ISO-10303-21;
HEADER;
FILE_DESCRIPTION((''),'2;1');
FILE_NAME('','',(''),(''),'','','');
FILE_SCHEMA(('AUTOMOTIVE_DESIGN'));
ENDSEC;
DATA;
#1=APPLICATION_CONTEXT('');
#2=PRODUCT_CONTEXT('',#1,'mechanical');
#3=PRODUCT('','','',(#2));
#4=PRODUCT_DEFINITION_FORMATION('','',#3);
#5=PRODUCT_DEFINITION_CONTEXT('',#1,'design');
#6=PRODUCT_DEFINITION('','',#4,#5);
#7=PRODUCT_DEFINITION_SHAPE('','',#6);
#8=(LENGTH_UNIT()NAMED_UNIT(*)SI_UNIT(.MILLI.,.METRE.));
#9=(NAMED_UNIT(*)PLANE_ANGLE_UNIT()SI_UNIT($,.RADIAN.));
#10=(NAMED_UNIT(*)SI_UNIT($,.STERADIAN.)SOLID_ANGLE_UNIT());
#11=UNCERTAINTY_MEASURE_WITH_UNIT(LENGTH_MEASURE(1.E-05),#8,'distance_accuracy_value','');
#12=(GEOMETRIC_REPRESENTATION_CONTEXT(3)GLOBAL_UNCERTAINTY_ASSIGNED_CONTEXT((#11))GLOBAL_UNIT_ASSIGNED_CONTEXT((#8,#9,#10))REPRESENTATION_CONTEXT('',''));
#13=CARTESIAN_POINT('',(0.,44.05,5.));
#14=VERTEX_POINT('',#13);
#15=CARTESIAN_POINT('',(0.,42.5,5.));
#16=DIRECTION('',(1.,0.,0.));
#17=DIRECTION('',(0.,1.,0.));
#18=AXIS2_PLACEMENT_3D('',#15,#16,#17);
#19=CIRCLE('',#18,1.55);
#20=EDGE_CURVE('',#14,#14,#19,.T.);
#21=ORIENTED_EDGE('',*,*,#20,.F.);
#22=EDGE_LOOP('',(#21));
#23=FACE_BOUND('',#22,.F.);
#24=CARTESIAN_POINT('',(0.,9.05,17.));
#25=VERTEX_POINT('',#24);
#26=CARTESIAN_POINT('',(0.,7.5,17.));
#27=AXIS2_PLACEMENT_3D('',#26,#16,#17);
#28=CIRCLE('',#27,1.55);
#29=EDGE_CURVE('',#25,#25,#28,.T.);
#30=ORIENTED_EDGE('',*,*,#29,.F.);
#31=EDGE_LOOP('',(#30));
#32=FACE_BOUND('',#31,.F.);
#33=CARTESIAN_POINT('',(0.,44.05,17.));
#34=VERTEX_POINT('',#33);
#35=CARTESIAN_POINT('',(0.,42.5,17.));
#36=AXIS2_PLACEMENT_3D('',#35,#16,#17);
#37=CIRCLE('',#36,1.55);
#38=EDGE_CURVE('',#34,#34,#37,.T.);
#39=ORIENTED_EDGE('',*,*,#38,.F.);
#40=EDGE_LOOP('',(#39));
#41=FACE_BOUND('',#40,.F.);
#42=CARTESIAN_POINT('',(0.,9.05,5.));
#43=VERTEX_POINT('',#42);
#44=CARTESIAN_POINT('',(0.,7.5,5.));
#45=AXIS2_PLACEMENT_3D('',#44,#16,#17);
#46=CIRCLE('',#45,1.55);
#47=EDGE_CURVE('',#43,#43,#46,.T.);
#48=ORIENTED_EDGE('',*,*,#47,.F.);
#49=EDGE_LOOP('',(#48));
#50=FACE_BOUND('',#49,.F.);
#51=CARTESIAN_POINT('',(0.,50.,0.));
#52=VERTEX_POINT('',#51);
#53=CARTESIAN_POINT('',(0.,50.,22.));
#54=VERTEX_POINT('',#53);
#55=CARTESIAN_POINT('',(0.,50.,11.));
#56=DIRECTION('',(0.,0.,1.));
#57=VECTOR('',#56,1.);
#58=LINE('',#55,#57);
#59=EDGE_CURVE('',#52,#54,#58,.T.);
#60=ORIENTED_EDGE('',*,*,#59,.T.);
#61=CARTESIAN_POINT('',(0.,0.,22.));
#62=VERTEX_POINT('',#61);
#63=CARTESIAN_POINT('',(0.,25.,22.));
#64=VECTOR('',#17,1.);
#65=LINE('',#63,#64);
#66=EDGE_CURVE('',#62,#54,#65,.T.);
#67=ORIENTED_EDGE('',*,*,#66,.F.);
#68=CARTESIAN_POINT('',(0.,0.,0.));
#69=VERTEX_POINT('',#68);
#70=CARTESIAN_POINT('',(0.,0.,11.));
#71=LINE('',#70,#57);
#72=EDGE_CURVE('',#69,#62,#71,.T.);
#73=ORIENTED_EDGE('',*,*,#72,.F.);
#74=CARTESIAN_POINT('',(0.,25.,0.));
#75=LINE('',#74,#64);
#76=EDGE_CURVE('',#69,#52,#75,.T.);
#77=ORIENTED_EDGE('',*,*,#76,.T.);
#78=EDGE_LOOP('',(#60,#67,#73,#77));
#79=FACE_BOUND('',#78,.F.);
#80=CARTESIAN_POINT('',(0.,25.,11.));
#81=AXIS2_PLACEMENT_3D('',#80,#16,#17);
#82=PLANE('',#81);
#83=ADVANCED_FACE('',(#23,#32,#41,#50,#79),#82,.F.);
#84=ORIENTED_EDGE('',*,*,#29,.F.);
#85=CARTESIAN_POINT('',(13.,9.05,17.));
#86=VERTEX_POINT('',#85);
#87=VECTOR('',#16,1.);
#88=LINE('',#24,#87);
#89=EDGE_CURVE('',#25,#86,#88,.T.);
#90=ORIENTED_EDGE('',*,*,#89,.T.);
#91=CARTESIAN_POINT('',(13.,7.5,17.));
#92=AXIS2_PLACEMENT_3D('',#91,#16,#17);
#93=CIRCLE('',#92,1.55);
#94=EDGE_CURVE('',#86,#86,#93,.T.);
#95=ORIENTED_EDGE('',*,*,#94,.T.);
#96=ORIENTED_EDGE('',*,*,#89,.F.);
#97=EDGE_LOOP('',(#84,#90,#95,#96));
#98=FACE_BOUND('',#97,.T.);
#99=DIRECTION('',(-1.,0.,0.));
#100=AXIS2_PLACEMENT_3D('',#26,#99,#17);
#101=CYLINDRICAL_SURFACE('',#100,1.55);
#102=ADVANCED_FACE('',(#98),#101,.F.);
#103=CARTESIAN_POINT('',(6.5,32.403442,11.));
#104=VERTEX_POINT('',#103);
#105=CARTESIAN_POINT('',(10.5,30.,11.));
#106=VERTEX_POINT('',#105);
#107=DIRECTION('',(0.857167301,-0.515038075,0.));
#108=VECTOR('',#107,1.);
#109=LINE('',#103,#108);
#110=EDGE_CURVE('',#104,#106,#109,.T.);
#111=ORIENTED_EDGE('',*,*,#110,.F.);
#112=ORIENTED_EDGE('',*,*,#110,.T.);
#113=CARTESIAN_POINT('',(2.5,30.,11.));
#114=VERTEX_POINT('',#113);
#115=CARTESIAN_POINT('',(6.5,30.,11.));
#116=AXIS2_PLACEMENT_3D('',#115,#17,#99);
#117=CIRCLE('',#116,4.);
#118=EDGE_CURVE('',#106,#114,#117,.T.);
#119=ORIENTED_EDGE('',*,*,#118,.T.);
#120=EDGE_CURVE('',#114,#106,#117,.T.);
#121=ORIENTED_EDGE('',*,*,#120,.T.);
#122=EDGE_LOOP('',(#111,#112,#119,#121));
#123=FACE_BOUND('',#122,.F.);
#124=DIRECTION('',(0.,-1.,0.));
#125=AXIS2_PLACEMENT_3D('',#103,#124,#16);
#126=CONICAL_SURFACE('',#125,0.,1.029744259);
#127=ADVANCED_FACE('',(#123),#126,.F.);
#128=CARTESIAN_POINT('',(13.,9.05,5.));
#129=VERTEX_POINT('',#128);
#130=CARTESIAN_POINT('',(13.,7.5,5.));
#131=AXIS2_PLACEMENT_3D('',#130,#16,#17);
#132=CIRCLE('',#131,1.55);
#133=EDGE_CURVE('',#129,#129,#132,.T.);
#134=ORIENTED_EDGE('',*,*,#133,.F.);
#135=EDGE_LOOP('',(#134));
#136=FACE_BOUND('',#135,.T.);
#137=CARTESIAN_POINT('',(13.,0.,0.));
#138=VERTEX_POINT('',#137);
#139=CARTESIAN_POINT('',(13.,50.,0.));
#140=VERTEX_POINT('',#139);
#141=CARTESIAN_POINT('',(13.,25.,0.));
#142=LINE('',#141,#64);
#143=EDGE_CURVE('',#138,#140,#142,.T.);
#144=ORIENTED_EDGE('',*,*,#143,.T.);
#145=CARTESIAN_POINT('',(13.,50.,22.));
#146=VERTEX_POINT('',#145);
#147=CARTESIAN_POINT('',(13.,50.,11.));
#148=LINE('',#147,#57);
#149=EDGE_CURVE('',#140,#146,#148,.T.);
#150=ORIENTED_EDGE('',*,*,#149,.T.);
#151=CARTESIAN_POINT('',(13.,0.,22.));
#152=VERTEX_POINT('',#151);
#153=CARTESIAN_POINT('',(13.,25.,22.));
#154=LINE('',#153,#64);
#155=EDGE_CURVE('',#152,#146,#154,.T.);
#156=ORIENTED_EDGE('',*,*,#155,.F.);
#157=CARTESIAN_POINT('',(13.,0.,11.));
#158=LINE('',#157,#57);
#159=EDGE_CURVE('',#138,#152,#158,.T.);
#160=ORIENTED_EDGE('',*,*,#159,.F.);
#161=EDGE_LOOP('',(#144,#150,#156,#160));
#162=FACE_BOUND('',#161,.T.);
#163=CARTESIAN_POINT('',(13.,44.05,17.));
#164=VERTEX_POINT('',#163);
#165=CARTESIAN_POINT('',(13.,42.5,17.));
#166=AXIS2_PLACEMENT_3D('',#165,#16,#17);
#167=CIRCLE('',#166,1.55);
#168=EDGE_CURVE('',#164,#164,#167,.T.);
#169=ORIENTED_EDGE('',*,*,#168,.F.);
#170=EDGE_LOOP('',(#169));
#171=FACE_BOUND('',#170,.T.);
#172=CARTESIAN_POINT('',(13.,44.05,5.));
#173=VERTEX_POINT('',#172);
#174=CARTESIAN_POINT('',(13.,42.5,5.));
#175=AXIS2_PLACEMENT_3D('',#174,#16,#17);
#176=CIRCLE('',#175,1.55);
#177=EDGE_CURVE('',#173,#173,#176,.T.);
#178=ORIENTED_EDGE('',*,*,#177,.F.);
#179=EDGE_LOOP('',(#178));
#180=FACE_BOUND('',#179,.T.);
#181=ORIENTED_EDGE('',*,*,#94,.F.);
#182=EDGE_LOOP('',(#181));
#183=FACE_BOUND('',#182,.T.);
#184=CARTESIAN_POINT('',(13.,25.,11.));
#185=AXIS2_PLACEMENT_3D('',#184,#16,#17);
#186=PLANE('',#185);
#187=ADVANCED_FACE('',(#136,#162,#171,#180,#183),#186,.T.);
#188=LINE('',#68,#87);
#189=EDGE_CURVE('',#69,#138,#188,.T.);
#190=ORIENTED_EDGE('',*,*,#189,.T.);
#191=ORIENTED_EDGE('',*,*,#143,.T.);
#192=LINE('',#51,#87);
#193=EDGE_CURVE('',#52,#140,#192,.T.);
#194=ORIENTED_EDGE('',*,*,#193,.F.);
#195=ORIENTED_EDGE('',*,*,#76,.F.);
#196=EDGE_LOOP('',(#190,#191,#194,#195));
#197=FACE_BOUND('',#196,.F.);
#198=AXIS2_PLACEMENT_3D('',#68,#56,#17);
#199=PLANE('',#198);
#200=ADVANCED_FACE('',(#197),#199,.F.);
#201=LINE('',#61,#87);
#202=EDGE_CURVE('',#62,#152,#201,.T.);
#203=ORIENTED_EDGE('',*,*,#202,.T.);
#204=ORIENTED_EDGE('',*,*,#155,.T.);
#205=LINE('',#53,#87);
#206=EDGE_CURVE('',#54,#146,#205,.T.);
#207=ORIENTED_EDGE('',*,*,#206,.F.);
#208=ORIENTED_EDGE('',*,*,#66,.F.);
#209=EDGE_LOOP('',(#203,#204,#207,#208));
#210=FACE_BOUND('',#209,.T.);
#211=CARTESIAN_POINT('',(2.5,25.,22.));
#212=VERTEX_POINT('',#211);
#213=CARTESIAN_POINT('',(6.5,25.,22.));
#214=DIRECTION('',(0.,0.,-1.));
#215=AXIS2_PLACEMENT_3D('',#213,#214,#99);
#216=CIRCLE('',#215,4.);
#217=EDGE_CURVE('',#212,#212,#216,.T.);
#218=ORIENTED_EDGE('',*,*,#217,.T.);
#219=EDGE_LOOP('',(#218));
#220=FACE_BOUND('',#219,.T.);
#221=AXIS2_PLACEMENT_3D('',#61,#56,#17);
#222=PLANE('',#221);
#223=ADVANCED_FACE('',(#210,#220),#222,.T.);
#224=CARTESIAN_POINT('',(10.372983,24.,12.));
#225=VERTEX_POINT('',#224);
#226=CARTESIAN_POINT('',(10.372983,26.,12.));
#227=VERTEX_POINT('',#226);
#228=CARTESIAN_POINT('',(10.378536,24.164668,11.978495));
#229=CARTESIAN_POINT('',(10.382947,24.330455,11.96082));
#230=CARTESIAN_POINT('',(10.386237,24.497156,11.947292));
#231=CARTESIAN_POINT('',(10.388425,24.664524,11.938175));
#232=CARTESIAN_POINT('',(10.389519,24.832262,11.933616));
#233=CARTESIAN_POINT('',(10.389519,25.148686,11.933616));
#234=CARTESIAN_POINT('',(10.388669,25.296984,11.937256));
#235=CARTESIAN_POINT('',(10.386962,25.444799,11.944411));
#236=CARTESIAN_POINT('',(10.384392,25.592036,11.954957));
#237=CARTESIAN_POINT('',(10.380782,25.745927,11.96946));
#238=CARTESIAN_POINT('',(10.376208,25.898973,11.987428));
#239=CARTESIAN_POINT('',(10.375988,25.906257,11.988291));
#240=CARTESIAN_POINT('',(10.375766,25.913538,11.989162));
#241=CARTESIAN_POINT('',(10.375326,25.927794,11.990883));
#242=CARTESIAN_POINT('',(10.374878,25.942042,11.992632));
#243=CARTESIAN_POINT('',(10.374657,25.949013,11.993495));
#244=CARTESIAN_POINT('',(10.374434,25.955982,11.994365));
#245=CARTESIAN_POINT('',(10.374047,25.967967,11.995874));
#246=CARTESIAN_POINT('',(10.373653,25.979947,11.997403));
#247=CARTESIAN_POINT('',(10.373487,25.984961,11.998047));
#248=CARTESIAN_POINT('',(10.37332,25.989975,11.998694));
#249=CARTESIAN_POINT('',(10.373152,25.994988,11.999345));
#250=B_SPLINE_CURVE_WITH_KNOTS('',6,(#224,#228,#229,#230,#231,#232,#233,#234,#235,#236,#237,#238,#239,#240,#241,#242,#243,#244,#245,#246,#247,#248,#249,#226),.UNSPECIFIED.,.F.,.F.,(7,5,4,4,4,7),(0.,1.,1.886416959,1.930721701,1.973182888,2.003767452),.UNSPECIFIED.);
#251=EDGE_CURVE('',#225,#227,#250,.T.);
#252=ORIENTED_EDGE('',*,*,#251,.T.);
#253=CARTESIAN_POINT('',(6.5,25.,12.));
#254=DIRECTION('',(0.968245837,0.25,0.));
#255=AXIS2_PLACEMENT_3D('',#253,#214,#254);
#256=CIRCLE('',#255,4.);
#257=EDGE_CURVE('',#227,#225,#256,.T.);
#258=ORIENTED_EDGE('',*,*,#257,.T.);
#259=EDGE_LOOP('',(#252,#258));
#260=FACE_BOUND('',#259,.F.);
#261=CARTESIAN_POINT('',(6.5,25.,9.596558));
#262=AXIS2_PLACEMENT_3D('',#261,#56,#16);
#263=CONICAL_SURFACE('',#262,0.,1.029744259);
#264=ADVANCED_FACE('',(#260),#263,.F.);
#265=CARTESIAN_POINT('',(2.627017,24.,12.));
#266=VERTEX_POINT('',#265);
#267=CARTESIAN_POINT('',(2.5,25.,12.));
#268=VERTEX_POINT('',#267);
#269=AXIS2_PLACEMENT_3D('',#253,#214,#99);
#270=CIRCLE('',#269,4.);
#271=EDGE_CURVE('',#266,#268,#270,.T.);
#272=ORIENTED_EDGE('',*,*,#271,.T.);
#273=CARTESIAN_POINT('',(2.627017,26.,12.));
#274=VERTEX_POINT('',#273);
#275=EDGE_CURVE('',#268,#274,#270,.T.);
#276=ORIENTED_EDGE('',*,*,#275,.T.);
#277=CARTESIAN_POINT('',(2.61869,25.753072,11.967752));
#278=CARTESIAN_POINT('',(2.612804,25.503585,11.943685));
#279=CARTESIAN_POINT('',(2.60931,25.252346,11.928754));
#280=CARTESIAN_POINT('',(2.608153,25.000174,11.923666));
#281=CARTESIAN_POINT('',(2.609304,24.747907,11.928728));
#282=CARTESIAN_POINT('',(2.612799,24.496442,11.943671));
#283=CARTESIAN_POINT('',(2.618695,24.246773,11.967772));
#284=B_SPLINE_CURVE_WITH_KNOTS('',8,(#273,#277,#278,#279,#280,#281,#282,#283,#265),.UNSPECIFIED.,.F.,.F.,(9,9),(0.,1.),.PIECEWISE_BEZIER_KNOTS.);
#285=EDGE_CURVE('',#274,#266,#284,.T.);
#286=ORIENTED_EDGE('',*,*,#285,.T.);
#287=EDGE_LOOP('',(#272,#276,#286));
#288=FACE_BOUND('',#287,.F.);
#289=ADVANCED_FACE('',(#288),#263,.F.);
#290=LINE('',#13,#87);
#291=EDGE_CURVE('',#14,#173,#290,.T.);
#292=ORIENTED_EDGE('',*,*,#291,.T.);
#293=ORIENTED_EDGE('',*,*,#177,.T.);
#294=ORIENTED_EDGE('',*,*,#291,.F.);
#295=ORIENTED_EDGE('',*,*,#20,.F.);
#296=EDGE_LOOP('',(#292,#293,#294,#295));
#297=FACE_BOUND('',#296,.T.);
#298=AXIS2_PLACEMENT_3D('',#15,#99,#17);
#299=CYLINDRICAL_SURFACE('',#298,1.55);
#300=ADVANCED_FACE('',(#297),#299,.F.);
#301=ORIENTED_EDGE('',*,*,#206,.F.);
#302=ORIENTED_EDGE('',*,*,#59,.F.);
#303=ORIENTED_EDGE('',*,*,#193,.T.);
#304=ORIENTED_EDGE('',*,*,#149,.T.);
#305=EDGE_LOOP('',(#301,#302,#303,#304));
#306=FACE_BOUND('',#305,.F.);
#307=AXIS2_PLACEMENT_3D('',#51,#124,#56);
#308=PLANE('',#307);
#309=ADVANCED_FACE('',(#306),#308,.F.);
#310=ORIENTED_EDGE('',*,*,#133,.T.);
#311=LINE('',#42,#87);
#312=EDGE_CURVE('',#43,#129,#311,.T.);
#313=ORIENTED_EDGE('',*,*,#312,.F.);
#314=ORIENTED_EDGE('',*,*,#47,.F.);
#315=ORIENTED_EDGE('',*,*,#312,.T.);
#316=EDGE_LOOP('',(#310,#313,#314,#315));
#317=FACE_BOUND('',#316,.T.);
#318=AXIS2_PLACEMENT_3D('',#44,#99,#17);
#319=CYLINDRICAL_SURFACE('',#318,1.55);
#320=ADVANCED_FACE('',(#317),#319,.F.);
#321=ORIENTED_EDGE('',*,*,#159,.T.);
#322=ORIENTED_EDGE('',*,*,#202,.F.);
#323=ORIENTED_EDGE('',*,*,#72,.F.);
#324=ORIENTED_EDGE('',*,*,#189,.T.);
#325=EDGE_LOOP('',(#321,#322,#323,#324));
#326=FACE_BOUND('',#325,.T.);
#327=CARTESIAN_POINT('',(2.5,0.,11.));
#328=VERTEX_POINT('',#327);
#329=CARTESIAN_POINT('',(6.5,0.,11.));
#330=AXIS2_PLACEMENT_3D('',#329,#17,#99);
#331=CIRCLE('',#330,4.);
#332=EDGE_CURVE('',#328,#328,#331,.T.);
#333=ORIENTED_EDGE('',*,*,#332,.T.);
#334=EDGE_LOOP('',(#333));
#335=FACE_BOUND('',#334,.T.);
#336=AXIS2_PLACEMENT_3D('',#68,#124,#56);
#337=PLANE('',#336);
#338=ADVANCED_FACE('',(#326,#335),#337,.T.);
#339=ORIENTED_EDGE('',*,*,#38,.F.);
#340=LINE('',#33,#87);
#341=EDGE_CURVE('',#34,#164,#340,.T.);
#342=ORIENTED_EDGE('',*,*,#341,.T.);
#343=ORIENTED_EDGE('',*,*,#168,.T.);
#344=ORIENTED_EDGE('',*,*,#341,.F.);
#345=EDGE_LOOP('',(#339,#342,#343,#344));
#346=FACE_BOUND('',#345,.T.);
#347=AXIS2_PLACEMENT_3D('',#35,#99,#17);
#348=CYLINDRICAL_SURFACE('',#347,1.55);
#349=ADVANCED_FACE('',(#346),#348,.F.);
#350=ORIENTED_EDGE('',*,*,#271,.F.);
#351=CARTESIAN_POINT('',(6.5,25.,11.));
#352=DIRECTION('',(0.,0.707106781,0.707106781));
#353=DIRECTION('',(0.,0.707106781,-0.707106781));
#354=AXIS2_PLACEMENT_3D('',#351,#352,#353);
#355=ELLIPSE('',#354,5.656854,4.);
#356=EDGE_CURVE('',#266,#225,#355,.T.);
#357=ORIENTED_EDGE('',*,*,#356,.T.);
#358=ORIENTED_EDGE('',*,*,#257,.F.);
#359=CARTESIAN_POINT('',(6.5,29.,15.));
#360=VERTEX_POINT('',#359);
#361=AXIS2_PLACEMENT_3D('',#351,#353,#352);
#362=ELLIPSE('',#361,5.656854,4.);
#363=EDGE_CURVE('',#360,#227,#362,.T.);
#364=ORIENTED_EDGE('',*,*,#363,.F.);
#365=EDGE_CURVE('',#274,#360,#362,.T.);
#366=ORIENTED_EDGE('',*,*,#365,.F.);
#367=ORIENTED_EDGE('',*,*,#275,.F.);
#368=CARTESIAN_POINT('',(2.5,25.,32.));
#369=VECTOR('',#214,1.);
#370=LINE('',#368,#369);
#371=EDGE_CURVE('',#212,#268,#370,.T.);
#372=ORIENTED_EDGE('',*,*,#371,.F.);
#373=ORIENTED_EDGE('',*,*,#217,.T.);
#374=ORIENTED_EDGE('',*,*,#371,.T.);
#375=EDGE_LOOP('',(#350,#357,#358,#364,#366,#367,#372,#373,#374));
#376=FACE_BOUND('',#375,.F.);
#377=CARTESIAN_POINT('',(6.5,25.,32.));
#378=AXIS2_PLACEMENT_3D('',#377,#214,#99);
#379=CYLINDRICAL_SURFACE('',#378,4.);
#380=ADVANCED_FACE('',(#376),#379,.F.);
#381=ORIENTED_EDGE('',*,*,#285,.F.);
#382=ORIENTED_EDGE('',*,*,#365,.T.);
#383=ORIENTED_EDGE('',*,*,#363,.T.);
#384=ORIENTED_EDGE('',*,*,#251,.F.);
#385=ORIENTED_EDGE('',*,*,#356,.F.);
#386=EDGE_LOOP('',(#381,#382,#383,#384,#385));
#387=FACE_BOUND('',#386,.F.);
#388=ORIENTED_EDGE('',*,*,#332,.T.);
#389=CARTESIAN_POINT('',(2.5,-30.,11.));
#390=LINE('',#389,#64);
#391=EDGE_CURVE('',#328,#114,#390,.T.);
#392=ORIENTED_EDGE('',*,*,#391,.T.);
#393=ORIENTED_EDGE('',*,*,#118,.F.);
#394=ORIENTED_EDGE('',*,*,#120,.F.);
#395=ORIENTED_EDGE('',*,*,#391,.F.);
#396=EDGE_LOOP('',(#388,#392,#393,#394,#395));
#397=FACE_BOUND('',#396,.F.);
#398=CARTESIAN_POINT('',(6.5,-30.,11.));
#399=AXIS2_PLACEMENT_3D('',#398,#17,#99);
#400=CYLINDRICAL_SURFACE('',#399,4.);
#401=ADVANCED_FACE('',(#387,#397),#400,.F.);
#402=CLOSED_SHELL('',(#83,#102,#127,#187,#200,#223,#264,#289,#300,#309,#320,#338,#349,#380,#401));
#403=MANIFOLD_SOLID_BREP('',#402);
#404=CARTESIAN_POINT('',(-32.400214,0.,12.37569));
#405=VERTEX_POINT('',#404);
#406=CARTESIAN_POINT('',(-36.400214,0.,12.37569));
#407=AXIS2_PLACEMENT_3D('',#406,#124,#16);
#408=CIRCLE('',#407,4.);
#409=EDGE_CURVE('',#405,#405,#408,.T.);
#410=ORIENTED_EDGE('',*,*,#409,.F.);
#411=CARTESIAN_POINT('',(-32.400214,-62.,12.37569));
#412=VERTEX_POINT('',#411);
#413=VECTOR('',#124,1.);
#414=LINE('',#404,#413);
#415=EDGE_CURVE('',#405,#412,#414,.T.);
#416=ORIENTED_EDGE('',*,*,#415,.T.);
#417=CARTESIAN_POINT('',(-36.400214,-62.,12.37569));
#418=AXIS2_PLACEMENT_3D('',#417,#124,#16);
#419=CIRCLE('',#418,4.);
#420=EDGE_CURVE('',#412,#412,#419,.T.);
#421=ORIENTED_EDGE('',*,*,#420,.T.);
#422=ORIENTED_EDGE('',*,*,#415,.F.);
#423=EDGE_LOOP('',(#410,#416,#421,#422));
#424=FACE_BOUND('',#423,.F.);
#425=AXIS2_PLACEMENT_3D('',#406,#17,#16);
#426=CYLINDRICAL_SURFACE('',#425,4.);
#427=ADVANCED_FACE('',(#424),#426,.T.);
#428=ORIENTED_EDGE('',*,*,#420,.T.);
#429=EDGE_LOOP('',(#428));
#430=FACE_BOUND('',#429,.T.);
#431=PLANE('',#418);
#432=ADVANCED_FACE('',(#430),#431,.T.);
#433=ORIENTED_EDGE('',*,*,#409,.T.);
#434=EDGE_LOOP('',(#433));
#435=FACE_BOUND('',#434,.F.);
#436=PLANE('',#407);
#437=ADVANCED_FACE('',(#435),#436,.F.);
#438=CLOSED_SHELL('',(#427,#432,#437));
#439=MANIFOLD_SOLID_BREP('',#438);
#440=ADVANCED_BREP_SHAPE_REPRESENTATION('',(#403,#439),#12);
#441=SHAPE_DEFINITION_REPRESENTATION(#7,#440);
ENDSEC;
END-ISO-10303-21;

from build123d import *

# Parameters (mm, degrees)
F0_W     = 50
F0_H     = 22
F0_R     = 1.55
F1_DEPTH = 13
F3_D     = 8
F3_DEPTH = 30
F3_TIP   = 2.4034424761
F4_R     = 4
F5_DEPTH = 62
F7_D     = 8
F7_DEPTH = 10
F7_TIP   = 2.4034424761


with BuildPart() as f1:
    # F0 (on Right) → F1 (new body)
    with BuildSketch(Plane.YZ):
        with Locations((25, 11)):
            Rectangle(F0_W, F0_H)
        with Locations((7.5, 5)):
            Circle(F0_R, mode=Mode.SUBTRACT)
        with Locations((42.5, 5)):
            Circle(F0_R, mode=Mode.SUBTRACT)
        with Locations((7.5, 17)):
            Circle(F0_R, mode=Mode.SUBTRACT)
        with Locations((42.5, 17)):
            Circle(F0_R, mode=Mode.SUBTRACT)
    extrude(amount=F1_DEPTH)

    # F3
    with Locations(Plane.XZ):
        with Locations((6.5, 11)):
            Hole(F3_D / 2, depth=F3_DEPTH)
            with Locations((0, 0, -(F3_DEPTH + F3_TIP / 2))):  # 118° drill point
                Cone(0, F3_D / 2, F3_TIP, mode=Mode.SUBTRACT)

    # F7
    with Locations(Plane.XY.offset(22)):
        with Locations((6.5, 25)):
            Hole(F7_D / 2, depth=F7_DEPTH)
            with Locations((0, 0, -(F7_DEPTH + F7_TIP / 2))):  # 118° drill point
                Cone(0, F7_D / 2, F7_TIP, mode=Mode.SUBTRACT)


with BuildPart() as f5:
    # F4 (on Front) → F5 (new body)
    with BuildSketch(Plane.XZ):
        with Locations((-36.4002138376, 12.375690043)):
            Circle(F4_R)
    extrude(amount=F5_DEPTH)


solid = Compound([f1.part, f5.part])
